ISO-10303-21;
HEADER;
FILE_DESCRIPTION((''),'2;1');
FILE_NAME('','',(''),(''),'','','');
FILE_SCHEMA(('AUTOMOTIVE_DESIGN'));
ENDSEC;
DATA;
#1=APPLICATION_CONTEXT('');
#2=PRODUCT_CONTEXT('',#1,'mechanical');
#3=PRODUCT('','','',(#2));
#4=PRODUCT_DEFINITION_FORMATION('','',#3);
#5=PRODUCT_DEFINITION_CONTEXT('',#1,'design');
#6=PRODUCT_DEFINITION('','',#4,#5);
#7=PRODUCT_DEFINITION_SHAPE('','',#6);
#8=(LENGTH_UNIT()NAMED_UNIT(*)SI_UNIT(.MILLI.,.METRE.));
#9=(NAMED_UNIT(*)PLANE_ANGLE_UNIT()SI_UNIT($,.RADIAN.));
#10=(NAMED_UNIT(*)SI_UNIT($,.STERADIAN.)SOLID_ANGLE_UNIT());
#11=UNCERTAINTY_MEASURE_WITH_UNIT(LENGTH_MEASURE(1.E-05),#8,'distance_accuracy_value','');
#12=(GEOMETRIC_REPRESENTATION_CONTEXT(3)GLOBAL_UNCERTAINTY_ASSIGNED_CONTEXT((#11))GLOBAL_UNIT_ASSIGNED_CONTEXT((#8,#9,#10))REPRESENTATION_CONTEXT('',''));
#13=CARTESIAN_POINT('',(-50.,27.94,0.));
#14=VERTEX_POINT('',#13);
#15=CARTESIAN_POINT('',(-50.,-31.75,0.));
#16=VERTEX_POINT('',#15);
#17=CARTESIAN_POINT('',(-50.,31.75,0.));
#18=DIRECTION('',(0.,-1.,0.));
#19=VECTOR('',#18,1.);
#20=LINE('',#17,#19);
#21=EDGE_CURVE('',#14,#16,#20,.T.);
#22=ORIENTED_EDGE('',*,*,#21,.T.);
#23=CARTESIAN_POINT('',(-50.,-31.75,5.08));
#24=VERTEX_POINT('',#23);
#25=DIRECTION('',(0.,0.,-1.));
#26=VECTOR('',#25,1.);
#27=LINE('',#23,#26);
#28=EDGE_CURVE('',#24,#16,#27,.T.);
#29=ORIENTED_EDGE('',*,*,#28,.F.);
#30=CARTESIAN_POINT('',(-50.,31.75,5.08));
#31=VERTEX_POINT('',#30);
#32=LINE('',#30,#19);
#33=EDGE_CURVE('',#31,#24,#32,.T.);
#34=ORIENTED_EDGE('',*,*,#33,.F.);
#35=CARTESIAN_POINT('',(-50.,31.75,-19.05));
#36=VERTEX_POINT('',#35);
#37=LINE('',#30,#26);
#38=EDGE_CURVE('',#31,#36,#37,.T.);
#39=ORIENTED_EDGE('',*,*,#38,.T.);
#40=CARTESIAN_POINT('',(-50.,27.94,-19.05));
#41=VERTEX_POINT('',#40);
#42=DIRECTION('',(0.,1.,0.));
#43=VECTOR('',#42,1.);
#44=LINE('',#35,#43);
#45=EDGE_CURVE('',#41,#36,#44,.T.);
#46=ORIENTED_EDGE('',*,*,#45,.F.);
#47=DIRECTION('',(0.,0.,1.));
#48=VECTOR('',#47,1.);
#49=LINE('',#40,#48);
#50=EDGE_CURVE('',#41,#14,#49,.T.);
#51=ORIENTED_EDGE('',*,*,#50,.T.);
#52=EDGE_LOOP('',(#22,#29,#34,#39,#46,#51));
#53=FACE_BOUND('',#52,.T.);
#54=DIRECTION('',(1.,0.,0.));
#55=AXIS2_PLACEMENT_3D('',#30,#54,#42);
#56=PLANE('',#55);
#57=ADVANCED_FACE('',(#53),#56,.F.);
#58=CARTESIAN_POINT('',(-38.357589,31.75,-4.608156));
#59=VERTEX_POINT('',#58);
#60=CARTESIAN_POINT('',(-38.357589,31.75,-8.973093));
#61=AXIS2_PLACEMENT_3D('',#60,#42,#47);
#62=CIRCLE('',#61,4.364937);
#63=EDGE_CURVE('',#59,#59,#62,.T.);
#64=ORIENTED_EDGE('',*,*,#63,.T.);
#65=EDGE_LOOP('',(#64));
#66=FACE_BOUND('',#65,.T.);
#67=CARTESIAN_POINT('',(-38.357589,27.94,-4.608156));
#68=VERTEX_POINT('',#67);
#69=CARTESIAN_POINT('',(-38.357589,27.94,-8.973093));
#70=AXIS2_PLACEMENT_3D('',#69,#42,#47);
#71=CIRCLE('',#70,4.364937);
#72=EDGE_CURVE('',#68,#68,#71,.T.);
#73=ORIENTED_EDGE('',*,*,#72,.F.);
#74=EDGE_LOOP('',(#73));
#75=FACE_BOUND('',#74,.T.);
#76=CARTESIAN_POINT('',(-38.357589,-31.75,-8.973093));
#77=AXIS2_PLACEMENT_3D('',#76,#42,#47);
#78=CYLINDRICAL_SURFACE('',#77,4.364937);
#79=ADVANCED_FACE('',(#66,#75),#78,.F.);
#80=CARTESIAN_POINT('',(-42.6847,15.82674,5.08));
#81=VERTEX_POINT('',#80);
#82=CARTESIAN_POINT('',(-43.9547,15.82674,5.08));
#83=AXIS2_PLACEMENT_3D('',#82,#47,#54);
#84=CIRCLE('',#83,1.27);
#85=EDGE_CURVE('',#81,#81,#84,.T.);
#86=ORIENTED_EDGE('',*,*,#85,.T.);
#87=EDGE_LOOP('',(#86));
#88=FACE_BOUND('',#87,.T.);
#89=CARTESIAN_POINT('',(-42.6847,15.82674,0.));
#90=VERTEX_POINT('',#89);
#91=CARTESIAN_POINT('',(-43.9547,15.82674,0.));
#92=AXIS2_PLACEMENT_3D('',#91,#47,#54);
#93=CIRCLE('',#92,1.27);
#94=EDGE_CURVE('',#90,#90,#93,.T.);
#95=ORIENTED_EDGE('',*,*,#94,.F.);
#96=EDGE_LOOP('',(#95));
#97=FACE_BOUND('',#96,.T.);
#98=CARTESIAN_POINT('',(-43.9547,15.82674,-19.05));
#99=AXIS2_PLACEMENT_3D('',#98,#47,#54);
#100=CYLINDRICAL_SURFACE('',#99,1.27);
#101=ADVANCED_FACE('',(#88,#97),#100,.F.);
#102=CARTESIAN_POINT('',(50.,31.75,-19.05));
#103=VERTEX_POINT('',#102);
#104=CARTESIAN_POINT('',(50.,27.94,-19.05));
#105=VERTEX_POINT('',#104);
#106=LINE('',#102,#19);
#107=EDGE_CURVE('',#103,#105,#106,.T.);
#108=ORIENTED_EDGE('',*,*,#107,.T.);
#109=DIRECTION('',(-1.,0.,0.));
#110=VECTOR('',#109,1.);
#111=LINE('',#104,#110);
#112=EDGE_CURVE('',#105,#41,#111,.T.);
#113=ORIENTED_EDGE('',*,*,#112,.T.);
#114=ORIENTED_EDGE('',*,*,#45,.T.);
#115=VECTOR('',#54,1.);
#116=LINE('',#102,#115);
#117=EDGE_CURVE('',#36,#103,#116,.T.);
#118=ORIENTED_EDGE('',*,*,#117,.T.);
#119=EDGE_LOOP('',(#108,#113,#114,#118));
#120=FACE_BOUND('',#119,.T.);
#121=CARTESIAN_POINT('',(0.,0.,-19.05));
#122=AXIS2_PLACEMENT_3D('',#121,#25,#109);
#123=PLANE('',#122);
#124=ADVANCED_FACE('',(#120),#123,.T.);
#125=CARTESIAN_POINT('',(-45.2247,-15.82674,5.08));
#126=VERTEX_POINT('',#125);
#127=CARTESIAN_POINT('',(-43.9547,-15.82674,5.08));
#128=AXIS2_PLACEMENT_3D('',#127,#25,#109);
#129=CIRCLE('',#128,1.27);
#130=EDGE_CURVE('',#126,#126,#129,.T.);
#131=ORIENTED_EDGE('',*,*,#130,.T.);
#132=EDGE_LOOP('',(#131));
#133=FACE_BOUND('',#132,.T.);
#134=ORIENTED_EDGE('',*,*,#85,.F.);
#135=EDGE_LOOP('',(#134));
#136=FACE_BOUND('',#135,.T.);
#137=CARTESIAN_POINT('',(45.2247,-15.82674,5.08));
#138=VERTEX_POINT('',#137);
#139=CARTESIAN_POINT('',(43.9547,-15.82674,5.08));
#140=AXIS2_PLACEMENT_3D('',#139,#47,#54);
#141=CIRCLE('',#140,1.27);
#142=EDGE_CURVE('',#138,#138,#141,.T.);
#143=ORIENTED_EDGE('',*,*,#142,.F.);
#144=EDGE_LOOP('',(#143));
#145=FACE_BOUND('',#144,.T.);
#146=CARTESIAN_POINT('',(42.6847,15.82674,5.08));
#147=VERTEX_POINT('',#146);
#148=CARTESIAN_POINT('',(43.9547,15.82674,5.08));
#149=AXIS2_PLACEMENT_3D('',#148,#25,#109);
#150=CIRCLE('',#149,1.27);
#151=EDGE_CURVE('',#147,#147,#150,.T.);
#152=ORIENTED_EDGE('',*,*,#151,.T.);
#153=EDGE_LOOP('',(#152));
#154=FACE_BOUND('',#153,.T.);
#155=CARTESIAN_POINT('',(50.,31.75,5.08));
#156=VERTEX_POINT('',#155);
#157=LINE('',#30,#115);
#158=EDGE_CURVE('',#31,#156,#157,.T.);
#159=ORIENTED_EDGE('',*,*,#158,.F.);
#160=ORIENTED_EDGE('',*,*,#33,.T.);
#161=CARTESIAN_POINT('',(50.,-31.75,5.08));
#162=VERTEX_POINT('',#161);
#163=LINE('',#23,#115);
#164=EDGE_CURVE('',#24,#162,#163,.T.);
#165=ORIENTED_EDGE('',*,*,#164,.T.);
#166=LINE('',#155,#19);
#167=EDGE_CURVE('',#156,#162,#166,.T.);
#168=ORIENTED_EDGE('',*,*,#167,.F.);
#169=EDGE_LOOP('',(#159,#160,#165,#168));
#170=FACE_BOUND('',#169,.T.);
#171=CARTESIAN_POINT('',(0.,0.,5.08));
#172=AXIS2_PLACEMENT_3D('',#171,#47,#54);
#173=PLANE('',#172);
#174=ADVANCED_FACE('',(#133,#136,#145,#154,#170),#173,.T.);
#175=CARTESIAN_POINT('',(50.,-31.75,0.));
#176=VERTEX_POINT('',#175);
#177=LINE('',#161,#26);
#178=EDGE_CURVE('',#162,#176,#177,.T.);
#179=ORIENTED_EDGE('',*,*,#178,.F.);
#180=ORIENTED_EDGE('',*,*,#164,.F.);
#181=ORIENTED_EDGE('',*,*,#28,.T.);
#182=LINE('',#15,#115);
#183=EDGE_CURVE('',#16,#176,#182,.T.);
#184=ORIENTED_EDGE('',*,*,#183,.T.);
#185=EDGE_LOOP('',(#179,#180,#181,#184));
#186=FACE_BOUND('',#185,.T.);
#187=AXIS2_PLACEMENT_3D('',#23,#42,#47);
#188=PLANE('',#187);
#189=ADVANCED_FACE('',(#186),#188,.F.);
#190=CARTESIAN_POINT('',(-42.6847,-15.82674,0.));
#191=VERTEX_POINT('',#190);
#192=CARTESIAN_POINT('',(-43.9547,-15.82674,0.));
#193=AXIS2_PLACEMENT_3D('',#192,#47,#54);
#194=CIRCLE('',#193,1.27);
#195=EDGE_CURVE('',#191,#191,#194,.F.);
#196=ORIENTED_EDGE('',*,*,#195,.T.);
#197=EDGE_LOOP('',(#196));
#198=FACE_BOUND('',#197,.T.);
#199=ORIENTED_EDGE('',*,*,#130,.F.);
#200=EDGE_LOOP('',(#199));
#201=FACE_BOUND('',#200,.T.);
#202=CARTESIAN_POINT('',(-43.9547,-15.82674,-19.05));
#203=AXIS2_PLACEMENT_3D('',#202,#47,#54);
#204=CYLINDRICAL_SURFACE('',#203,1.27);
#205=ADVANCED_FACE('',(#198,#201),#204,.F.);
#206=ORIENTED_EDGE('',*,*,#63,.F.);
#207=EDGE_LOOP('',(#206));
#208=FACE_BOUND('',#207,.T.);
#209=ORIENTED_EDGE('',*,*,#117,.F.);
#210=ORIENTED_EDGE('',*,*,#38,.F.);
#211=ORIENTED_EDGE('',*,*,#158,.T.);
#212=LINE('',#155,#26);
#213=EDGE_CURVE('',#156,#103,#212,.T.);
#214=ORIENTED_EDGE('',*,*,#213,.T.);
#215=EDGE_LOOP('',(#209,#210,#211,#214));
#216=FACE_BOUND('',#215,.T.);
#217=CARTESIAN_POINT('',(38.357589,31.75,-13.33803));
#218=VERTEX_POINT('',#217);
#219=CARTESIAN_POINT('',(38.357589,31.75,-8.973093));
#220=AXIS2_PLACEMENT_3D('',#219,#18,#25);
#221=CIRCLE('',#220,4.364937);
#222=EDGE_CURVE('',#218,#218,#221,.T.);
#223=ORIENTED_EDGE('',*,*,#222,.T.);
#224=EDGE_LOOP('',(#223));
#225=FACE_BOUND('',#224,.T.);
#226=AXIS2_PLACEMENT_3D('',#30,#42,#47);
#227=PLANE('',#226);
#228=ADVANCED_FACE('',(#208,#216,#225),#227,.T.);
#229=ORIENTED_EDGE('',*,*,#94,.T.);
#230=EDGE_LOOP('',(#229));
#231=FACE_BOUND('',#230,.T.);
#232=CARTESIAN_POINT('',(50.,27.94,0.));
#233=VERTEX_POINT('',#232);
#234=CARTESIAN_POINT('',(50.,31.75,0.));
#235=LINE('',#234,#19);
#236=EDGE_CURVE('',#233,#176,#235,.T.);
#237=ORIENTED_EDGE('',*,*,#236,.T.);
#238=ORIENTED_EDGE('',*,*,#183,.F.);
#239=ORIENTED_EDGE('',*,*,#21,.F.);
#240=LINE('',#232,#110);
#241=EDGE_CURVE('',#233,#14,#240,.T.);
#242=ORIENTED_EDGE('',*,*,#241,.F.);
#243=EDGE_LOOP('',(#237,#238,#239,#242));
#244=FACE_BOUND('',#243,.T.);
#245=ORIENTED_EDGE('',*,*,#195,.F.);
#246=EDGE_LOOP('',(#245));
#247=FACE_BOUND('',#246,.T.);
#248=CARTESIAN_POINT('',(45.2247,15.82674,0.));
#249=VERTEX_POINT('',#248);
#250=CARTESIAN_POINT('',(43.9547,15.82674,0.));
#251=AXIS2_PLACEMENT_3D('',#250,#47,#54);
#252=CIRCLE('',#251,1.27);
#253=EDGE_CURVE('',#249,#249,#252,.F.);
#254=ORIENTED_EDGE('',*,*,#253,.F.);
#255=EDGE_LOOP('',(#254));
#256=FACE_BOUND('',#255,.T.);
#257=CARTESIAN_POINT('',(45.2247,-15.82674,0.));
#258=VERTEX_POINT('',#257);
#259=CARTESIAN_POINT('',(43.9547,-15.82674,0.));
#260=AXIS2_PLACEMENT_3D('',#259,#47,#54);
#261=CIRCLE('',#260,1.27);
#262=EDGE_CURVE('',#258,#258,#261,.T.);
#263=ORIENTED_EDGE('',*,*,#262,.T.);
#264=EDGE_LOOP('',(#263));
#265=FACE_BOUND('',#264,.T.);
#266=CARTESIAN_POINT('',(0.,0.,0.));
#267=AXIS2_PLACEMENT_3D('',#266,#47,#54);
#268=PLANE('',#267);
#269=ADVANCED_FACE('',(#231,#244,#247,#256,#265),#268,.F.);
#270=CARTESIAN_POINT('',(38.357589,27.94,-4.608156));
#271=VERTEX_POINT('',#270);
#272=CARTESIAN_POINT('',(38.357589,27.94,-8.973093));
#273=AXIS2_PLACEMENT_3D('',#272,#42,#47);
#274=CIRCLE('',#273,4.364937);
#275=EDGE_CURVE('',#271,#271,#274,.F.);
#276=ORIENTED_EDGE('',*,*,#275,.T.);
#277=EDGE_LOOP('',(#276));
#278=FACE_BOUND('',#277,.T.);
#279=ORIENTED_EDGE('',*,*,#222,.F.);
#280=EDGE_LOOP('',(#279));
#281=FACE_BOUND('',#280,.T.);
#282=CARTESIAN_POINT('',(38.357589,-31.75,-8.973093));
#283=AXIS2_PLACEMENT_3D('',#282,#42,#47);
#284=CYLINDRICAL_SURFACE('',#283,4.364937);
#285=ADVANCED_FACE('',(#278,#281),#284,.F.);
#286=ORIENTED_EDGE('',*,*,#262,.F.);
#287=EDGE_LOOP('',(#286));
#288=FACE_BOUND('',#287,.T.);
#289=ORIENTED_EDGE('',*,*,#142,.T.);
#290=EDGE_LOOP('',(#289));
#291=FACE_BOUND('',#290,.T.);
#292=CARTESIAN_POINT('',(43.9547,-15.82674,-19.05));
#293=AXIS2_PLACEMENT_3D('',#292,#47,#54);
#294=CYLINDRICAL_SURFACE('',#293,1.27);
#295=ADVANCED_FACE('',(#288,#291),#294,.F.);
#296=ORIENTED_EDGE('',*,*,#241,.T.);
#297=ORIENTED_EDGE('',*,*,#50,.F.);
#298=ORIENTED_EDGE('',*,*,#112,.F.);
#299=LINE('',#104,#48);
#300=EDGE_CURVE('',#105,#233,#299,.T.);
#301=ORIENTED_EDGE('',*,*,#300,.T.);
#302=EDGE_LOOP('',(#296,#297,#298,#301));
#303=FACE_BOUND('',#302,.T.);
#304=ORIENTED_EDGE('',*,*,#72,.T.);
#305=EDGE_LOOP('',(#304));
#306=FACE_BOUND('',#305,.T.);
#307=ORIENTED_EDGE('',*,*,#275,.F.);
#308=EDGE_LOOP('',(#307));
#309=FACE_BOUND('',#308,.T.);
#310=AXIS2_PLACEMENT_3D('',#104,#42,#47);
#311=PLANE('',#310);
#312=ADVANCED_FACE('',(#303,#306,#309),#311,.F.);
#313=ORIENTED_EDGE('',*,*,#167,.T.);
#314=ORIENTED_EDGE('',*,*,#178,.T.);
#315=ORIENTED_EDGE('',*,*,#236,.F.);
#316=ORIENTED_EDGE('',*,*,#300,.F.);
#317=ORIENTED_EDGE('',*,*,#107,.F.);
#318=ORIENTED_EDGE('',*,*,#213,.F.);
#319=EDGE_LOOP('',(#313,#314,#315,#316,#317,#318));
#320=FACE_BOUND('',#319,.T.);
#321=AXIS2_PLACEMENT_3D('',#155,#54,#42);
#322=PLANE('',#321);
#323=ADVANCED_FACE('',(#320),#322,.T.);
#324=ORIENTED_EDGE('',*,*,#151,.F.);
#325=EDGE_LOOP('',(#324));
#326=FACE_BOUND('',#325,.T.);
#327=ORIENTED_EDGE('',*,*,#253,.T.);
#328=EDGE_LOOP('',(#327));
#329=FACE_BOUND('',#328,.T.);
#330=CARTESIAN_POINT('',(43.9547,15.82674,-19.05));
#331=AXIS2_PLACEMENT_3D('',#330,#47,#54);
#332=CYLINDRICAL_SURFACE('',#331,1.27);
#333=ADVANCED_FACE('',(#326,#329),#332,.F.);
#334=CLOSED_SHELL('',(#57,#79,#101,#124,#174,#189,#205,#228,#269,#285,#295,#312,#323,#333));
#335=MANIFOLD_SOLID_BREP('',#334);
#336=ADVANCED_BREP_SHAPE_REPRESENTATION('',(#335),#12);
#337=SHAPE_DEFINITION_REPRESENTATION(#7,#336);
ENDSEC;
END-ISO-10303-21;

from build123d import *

# Parameters (mm, degrees)
SKETCH1_W           = 100
SKETCH1_H           = 63.5
BOSS_EXTRUDE1_DEPTH = 5.08
SKETCH3_W           = 100
SKETCH3_H           = 3.81
BOSS_EXTRUDE2_DEPTH = 19.05
SKETCH8_R           = 4.364936917
CUT_EXTRUDE2_DEPTH  = 84.037054981
SKETCH11_R          = 1.27
CUT_EXTRUDE5_DEPTH  = 64.955604915


with BuildPart() as part:
    # Sketch1 → Boss-Extrude1 (new body)
    with BuildSketch(Plane.XY):
        Rectangle(SKETCH1_W, SKETCH1_H)
    extrude(amount=BOSS_EXTRUDE1_DEPTH)

    # Sketch3 → Boss-Extrude2 (add)
    with BuildSketch(Plane(origin=(0, 0, 0), x_dir=(-1, 0, 0), z_dir=(0, 0, -1))):
        with Locations((0, 29.845)):
            Rectangle(SKETCH3_W, SKETCH3_H)
    extrude(amount=BOSS_EXTRUDE2_DEPTH)

    # Sketch8 → Cut-Extrude2 (cut, through all)
    with BuildSketch(Plane(origin=(0, 31.75, 0), x_dir=(1, 0, 0), z_dir=(0, 1, 0))):
        with Locations(Location((-38.35758865, 8.973092831, 0), (0, 0, 270))):
            Circle(SKETCH8_R)
        with Locations(Location((38.35758865, 8.973092831, 0), (0, 0, 270))):
            Circle(SKETCH8_R)
    extrude(amount=-CUT_EXTRUDE2_DEPTH, mode=Mode.SUBTRACT)

    # Sketch11 → Cut-Extrude5 (cut, through all)
    with BuildSketch(Plane.XY.offset(5.08)):
        with Locations((-43.9547, 15.82674)):
            Circle(SKETCH11_R)
        with Locations((-43.9547, -15.82674)):
            Circle(SKETCH11_R)
        with Locations((43.9547, -15.82674)):
            Circle(SKETCH11_R)
        with Locations((43.9547, 15.82674)):
            Circle(SKETCH11_R)
    extrude(amount=-CUT_EXTRUDE5_DEPTH, mode=Mode.SUBTRACT)


solid = part.part
